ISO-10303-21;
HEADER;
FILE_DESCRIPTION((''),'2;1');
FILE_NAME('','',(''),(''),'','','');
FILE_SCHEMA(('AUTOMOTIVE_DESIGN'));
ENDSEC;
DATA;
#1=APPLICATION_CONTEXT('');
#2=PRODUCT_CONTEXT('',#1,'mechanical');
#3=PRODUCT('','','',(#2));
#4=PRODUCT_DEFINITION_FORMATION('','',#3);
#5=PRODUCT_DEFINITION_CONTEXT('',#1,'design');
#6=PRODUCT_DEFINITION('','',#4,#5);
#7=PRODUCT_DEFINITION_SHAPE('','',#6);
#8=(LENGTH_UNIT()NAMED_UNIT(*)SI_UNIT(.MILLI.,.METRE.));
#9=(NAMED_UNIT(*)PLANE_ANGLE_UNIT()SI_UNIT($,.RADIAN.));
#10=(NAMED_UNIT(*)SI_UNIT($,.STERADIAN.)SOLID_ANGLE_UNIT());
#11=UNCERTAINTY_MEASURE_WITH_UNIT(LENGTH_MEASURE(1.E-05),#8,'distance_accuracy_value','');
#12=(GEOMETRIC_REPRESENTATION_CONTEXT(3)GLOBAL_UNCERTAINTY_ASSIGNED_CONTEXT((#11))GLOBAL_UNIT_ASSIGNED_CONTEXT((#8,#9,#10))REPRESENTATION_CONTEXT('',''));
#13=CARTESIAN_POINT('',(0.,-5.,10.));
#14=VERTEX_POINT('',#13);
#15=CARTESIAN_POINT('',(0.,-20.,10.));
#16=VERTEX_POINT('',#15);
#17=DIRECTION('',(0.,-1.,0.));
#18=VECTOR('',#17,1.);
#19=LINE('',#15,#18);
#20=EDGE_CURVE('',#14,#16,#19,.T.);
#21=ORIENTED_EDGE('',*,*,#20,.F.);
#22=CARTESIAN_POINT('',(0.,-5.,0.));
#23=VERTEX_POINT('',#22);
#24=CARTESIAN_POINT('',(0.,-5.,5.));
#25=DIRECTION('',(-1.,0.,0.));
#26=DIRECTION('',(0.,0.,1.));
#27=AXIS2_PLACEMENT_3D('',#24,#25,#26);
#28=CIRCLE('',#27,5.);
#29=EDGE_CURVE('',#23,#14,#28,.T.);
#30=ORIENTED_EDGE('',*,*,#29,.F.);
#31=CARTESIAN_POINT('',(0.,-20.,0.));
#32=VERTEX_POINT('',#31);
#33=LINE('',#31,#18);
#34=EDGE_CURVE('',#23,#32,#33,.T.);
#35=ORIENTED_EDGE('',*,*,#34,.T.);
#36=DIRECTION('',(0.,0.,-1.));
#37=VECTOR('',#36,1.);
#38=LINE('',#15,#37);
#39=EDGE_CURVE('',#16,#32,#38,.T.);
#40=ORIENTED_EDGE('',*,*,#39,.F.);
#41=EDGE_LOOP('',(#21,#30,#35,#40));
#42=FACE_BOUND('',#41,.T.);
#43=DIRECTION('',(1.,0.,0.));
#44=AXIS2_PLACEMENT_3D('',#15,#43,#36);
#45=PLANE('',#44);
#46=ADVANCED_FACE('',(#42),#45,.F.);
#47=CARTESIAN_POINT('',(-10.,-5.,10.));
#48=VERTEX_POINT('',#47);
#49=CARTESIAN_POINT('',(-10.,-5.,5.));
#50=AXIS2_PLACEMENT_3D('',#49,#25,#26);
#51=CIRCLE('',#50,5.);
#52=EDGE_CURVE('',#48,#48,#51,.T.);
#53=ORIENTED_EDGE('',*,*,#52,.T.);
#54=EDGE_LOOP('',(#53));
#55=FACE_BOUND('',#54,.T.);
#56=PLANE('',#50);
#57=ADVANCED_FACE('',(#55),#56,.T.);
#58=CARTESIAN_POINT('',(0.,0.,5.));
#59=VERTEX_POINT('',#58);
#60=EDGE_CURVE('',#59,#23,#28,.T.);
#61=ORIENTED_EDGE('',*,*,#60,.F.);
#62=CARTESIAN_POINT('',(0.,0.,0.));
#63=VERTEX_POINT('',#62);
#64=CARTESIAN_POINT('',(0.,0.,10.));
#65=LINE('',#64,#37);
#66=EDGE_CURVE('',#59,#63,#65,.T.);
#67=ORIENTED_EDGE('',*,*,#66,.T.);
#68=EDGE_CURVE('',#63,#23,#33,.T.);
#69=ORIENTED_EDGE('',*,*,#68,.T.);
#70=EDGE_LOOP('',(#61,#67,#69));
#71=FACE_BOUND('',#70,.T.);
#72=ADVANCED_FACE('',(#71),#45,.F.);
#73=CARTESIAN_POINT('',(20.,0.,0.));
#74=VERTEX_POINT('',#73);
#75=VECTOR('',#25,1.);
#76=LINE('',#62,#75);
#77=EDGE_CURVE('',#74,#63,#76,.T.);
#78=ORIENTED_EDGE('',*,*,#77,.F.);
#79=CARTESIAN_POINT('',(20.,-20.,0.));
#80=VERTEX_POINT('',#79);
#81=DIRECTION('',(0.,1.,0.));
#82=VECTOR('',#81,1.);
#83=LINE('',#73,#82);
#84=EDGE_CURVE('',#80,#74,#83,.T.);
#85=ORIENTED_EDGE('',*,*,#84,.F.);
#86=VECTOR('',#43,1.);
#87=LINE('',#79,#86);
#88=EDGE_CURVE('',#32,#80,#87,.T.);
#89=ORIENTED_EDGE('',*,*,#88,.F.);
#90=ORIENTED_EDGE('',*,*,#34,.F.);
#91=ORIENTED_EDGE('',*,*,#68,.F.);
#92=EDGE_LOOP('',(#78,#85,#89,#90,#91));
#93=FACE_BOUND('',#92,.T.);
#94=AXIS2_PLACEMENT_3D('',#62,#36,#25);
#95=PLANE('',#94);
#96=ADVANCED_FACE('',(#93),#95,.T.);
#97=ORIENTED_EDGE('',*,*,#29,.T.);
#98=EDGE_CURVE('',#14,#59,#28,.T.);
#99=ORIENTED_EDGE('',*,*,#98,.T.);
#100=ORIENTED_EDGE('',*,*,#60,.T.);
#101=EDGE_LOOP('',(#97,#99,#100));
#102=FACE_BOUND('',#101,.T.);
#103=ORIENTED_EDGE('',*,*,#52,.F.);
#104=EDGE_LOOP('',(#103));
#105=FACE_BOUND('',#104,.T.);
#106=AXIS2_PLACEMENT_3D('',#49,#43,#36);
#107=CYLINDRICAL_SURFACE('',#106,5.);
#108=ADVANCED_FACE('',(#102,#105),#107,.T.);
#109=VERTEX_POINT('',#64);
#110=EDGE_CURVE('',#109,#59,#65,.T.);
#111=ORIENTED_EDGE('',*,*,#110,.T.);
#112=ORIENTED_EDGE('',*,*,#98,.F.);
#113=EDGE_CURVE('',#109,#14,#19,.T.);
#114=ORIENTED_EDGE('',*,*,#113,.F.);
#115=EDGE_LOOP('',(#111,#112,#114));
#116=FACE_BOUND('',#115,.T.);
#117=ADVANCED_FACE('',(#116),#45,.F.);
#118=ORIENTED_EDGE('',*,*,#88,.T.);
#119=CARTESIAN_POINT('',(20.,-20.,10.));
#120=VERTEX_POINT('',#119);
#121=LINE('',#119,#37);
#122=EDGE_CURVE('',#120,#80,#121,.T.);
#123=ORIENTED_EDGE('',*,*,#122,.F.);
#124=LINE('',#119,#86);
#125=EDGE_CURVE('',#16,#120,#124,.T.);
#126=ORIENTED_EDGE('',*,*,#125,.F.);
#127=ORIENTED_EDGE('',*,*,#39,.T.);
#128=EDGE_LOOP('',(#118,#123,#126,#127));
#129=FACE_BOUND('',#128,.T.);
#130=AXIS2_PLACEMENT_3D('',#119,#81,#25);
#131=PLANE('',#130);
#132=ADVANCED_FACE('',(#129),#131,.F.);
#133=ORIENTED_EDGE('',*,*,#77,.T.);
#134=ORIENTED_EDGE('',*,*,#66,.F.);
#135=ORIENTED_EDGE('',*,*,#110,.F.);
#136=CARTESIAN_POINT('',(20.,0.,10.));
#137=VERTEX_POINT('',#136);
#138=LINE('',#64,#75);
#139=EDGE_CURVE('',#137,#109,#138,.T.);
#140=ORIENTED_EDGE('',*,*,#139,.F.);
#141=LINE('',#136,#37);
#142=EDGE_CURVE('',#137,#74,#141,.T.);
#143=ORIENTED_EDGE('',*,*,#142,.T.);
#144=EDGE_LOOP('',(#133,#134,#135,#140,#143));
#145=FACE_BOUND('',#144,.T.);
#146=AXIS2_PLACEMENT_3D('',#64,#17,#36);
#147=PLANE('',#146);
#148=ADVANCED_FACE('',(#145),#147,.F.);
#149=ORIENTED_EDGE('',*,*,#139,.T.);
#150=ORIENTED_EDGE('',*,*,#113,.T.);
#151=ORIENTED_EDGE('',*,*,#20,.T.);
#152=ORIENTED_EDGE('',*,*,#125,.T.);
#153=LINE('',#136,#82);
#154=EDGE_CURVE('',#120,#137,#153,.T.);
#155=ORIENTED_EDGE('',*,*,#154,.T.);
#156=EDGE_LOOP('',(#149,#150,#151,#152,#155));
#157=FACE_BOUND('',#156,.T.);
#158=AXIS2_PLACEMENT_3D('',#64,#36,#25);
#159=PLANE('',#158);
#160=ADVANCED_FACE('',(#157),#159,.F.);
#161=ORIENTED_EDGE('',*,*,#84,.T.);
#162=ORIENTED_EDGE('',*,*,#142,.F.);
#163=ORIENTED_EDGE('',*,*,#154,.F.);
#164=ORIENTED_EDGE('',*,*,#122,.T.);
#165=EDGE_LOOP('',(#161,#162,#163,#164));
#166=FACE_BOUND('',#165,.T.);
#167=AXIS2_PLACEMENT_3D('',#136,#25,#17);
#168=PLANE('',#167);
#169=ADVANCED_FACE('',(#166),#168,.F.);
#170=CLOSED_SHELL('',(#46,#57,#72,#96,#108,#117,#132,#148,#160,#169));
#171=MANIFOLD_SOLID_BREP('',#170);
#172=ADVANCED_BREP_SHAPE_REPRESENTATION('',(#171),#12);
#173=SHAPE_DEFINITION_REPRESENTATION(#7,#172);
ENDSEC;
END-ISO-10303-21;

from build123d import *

# Parameters (mm, degrees)
SKETCH_1_W      = 20
SKETCH_1_H      = 20
EXTRUDE_1_DEPTH = 10
SKETCH_2_R      = 5
EXTRUDE_2_DEPTH = 10


with BuildPart() as part:
    # 草图1 → 凸台-拉伸1 (new body)
    with BuildSketch(Plane.XY):
        with Locations((10, -10)):
            Rectangle(SKETCH_1_W, SKETCH_1_H)
    extrude(amount=EXTRUDE_1_DEPTH)

    # 草图2 → 凸台-拉伸2 (add)
    with BuildSketch(Plane.ZY):
        with Locations((5, -5)):
            Circle(SKETCH_2_R)
    extrude(amount=EXTRUDE_2_DEPTH)


solid = part.part
